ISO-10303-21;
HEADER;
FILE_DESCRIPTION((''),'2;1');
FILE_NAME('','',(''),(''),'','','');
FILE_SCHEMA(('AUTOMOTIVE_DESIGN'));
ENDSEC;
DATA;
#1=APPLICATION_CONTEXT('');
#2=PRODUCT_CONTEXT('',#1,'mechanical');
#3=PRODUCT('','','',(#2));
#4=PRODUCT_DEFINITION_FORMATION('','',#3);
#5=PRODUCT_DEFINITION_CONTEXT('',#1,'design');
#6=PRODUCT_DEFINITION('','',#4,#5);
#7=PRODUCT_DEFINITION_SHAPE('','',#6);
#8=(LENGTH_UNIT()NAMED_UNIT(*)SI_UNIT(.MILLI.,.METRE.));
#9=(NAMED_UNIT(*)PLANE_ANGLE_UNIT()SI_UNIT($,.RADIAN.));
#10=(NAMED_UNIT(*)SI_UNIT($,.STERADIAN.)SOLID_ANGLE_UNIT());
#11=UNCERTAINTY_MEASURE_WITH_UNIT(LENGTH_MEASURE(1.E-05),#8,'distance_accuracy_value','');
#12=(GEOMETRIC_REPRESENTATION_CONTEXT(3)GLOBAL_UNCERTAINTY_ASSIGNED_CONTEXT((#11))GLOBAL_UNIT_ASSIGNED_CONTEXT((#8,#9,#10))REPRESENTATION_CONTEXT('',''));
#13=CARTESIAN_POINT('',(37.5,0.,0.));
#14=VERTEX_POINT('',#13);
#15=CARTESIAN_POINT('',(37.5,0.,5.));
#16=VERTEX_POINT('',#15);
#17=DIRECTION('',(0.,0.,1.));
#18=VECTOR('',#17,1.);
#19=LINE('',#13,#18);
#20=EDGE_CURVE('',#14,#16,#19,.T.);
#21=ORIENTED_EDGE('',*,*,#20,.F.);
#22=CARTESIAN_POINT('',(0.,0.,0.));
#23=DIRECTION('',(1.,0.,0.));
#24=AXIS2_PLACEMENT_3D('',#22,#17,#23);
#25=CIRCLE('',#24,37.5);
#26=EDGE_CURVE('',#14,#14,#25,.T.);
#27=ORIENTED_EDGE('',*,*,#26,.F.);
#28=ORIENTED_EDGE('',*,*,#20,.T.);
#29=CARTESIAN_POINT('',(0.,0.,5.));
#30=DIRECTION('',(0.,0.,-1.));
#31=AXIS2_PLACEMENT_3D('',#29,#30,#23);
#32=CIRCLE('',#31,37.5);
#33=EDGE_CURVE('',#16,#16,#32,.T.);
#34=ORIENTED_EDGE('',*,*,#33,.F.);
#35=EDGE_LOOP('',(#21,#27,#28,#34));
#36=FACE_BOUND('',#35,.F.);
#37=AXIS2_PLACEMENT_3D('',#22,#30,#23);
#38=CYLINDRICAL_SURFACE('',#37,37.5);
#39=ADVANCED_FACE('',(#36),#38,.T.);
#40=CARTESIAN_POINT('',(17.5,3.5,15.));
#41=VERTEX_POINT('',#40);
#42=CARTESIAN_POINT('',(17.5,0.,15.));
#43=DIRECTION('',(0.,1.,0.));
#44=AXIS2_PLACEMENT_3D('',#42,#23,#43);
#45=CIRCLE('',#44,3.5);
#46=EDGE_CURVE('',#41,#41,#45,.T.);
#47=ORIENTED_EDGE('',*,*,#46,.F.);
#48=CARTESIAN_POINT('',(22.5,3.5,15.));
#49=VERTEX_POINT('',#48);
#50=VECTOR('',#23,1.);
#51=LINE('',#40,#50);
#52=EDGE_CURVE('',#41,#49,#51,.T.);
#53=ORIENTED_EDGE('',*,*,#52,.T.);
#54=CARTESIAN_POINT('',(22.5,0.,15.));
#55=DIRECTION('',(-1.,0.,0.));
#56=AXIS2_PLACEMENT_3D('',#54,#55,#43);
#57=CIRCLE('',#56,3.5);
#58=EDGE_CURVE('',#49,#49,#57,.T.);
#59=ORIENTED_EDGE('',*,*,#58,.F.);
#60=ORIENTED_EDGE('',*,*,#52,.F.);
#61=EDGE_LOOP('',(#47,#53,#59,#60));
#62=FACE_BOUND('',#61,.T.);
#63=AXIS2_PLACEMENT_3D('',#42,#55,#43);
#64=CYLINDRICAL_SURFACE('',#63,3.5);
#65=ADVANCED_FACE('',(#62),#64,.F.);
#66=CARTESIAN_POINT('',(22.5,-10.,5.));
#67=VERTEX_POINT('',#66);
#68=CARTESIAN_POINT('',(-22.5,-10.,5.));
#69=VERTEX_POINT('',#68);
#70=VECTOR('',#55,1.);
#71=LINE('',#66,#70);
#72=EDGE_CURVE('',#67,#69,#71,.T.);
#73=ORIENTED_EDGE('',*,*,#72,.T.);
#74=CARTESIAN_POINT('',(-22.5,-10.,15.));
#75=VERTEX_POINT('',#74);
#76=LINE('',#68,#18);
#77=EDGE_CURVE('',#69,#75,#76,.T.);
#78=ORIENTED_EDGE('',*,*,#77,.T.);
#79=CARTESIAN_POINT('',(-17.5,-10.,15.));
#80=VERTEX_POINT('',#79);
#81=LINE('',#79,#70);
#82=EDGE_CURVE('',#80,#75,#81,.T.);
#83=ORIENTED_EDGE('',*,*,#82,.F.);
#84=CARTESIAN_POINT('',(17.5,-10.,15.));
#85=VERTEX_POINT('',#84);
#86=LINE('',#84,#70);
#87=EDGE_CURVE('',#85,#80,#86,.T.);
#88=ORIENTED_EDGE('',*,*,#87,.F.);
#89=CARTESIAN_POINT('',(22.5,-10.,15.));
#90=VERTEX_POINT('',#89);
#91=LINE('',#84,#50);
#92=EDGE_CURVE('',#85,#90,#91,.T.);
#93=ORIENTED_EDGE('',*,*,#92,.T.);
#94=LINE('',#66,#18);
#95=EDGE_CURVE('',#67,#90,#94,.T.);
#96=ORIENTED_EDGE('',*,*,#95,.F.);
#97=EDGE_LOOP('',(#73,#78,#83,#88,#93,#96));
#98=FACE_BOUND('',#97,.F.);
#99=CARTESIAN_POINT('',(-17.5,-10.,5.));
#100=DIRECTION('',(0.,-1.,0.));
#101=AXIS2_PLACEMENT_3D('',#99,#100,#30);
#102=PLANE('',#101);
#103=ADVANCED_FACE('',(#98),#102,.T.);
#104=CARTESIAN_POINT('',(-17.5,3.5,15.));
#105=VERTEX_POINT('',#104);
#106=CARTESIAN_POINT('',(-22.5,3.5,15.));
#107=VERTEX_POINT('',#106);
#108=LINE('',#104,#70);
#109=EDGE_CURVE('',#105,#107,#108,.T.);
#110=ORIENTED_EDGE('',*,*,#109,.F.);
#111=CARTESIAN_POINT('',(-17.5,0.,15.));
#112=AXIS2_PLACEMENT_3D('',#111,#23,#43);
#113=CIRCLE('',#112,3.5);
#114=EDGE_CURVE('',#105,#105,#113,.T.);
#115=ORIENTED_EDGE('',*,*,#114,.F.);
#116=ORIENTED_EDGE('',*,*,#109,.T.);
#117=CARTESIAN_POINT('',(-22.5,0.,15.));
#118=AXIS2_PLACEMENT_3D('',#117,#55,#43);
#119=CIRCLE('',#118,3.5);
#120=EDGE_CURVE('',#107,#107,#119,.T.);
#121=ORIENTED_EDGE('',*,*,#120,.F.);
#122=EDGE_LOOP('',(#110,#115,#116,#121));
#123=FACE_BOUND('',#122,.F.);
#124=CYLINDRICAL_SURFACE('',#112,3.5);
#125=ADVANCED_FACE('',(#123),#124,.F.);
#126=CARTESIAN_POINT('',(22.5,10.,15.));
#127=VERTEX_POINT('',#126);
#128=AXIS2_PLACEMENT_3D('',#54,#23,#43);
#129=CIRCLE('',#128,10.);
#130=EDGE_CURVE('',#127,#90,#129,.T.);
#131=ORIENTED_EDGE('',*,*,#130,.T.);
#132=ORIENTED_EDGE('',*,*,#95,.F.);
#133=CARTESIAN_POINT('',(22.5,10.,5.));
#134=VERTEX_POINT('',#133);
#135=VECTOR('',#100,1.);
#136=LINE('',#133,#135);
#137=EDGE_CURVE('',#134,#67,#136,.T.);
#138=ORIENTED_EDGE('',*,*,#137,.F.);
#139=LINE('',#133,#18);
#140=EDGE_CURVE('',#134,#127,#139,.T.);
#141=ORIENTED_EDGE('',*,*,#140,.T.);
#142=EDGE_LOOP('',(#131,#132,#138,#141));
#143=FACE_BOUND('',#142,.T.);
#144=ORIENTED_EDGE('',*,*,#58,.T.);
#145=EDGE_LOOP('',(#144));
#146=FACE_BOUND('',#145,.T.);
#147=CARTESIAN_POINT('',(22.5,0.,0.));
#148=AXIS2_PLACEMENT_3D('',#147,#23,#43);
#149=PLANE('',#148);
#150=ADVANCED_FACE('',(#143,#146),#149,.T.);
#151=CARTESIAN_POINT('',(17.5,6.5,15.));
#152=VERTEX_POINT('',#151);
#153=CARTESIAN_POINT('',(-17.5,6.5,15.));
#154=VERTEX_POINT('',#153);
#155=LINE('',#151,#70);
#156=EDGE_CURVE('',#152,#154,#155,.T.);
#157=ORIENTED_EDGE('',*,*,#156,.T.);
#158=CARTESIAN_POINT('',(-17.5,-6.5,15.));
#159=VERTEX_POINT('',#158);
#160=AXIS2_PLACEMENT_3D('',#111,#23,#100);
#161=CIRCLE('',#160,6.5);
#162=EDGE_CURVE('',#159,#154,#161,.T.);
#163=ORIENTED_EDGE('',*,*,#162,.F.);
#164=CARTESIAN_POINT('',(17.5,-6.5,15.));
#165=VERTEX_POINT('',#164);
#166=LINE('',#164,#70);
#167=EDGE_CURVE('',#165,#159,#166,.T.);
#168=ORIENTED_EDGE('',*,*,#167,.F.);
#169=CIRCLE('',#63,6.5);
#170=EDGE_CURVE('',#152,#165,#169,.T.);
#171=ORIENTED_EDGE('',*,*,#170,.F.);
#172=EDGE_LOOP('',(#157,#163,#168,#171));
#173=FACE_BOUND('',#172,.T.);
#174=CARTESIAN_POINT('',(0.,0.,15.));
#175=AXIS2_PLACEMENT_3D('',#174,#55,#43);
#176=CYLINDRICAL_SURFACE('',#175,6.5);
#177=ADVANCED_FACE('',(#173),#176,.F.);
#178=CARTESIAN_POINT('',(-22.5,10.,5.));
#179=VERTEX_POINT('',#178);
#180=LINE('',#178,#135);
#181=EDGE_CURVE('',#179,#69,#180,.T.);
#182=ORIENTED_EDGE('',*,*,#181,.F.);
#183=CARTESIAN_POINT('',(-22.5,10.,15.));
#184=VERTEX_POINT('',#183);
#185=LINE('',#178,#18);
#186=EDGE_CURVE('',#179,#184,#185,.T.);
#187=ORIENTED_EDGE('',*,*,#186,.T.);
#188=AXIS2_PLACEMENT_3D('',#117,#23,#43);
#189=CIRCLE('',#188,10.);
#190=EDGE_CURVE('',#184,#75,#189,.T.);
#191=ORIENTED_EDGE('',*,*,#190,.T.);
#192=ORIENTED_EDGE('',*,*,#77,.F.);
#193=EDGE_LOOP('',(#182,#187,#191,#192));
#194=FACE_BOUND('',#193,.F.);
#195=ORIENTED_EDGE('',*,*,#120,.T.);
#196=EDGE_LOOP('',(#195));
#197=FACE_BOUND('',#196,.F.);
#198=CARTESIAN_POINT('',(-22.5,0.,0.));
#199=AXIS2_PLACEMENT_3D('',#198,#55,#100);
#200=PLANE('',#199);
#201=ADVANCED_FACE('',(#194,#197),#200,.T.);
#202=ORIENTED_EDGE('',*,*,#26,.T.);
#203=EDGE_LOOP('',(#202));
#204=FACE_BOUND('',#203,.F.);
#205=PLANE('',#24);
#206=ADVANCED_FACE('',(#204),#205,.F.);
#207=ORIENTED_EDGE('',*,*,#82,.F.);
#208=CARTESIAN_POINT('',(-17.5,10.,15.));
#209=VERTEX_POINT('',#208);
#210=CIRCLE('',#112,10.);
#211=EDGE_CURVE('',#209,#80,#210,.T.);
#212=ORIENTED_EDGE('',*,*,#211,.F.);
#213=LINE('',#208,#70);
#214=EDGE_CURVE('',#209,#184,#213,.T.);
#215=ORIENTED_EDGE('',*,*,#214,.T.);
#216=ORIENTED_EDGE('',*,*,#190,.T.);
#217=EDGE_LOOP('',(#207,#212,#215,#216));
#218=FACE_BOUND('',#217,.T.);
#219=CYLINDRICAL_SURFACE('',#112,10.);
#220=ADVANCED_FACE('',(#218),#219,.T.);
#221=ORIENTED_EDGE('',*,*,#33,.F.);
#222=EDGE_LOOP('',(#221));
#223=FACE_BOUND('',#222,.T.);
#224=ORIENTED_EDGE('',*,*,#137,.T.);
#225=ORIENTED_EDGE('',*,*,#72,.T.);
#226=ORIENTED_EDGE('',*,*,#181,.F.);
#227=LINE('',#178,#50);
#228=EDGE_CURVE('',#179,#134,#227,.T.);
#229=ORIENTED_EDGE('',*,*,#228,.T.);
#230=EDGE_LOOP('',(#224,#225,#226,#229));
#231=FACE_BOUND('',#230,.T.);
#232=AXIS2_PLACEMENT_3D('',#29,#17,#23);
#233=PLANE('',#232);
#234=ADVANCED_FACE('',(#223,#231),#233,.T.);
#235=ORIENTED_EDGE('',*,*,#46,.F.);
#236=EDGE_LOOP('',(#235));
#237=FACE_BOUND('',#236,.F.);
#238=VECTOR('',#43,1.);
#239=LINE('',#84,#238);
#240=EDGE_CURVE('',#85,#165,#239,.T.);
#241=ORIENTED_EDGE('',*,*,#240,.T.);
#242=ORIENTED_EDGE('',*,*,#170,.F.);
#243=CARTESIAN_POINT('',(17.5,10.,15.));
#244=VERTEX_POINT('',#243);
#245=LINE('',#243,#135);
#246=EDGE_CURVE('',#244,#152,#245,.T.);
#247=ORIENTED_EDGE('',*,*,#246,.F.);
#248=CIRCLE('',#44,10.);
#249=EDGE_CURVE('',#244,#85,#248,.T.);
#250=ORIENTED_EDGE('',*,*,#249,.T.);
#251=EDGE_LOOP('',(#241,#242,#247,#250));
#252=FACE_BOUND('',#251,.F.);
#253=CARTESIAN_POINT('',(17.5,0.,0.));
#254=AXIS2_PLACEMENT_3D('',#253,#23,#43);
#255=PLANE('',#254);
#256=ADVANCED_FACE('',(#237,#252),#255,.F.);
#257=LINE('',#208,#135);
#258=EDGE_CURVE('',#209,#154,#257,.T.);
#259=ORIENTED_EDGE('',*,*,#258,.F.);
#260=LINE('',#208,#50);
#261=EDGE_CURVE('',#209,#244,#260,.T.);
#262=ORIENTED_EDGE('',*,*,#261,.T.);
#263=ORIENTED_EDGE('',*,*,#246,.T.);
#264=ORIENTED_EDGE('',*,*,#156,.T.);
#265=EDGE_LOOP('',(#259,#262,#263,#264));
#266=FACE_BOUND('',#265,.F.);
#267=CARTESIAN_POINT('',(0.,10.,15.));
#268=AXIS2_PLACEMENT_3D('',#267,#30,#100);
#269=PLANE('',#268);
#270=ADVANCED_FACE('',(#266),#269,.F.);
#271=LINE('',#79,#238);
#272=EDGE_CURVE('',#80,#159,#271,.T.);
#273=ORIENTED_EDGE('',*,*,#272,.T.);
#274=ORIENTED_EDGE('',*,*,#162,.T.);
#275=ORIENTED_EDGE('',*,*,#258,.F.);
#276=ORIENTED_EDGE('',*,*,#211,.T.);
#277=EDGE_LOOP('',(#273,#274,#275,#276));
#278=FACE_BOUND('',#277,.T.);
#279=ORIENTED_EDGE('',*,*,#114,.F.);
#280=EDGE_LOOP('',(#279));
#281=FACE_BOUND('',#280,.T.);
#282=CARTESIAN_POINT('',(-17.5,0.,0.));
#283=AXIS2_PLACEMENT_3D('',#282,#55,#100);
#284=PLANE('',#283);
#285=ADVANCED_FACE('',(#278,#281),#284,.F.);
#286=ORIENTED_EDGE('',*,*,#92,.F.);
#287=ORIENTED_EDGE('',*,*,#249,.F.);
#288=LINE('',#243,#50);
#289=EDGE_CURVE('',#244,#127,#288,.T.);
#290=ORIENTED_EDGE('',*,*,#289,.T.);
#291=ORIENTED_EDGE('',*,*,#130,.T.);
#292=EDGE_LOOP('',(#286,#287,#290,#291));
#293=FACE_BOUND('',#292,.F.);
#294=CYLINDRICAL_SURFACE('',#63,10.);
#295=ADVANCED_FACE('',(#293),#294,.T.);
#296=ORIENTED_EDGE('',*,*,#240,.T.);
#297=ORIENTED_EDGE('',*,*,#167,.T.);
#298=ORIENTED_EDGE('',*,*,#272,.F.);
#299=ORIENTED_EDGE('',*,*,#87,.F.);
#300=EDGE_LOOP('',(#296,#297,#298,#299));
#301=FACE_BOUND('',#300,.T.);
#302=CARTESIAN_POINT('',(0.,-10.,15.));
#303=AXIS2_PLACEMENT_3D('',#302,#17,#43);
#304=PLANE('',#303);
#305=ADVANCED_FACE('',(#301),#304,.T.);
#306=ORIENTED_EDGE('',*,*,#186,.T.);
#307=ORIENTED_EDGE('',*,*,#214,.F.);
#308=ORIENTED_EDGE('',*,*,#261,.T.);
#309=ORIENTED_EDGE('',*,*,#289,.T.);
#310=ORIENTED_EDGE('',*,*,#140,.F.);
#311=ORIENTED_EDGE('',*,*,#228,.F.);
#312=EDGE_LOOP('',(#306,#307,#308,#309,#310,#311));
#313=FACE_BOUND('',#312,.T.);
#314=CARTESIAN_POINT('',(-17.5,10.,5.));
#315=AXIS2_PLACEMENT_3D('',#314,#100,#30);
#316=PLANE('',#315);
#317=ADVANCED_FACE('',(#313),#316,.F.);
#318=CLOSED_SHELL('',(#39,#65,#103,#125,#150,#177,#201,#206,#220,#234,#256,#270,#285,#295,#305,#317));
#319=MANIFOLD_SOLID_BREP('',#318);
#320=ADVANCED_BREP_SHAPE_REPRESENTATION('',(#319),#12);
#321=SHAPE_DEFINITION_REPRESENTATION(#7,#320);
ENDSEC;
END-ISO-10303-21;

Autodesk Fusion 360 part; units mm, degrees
sketch "Sketch1" plane through (0, 0, 0) normal (0, 0, 1) x (1, 0, 0)
  circle A0 centre (0, 0) radius 37.5
  dimension "d1" = 75
extrude "Extrude1" add sketch "Sketch1" along normal blind 5
sketch "Sketch2" plane through (0, 0, 0) normal (1, 0, 0) x (0, 1, 0)
  line L0 (-6.5, 5) -> (-6.5, 15)
  line L1 (6.5, 5) -> (6.5, 15)
  circle A0 centre (0, 15) radius 6.5
  line L2 (0, 1.75) -> (0, 22.5)
  line L3 (37.5, 5) -> (-37.5, 5)
  line L4 (-10, 5) -> (-10, 15)
  circle A1 centre (0, 15) radius 10
  line L5 (10, 5) -> (10, 15)
  line L6 (-10, 15) -> (-6.5, 15)
  line L7 (10, 15) -> (6.5, 15)
  circle A2 centre (0, 15) radius 3.5
  dimension "d4" = 13
  dimension "d5" = 10
  dimension "d6" = 20
  dimension "d14" = 7
extrude "Extrude2" add sketch "Sketch2" along normal mid plane 35 contours L0 L3 L4 A1 | L0 L3 A1 | L0 A1 L6 | L0 A0 L2 A1 | L1 L3 A1 | L1 A0 L2 A1 | L1 L3 A1 L5 | L1 A1 L7
extrude "Extrude3" add sketch "Sketch2" along normal blind 5 from surface at 17.5 contours L0 L3 L4 A1 | L0 L3 A1 | L0 A1 L6 | L0 A0 L2 A1 | L1 L3 A1 | L1 A0 L2 A1 | A0 A1 L6 L7 | A0 L2 A2 | A0 L2 A2 | L1 L3 A1 L5 | L1 A1 L7
mirror "Mirror1" about plane through (0, 0, 0) normal (1, 0, 0) of "Extrude3"
sketch "Sketch3" plane through (0, 0, 0) normal (0, 1, 0) x (1, 0, 0)
sketch "Sketch4" plane through (0, 0, 5) normal (0, 0, 1) x (-1, 0, 0)
  circle A0 centre (0, 0) radius 37.5
  line L0 (-22.5, 10) -> (22.5, 10)
  line L1 (22.5, 10) -> (22.5, -10)
  line L2 (22.5, -10) -> (-22.5, -10)
  line L3 (-22.5, -10) -> (-22.5, 10)
  circle A1 centre (0, 32.5) radius 5
  line L4 (5, 32.5) -> (5, 37.1652)
  line L5 (-5, 32.5) -> (-5, 37.1652)
  dimension "d15" = 10
extrude "Extrude4" cut sketch "Sketch4" along normal through all contours A0 A1 L4 | A0 A1 L5 | A1
equation "d7 = ( 35 / 2 ) * 1 mm"
equation "d9 = ( 35 / 2 ) * 1 mm"
